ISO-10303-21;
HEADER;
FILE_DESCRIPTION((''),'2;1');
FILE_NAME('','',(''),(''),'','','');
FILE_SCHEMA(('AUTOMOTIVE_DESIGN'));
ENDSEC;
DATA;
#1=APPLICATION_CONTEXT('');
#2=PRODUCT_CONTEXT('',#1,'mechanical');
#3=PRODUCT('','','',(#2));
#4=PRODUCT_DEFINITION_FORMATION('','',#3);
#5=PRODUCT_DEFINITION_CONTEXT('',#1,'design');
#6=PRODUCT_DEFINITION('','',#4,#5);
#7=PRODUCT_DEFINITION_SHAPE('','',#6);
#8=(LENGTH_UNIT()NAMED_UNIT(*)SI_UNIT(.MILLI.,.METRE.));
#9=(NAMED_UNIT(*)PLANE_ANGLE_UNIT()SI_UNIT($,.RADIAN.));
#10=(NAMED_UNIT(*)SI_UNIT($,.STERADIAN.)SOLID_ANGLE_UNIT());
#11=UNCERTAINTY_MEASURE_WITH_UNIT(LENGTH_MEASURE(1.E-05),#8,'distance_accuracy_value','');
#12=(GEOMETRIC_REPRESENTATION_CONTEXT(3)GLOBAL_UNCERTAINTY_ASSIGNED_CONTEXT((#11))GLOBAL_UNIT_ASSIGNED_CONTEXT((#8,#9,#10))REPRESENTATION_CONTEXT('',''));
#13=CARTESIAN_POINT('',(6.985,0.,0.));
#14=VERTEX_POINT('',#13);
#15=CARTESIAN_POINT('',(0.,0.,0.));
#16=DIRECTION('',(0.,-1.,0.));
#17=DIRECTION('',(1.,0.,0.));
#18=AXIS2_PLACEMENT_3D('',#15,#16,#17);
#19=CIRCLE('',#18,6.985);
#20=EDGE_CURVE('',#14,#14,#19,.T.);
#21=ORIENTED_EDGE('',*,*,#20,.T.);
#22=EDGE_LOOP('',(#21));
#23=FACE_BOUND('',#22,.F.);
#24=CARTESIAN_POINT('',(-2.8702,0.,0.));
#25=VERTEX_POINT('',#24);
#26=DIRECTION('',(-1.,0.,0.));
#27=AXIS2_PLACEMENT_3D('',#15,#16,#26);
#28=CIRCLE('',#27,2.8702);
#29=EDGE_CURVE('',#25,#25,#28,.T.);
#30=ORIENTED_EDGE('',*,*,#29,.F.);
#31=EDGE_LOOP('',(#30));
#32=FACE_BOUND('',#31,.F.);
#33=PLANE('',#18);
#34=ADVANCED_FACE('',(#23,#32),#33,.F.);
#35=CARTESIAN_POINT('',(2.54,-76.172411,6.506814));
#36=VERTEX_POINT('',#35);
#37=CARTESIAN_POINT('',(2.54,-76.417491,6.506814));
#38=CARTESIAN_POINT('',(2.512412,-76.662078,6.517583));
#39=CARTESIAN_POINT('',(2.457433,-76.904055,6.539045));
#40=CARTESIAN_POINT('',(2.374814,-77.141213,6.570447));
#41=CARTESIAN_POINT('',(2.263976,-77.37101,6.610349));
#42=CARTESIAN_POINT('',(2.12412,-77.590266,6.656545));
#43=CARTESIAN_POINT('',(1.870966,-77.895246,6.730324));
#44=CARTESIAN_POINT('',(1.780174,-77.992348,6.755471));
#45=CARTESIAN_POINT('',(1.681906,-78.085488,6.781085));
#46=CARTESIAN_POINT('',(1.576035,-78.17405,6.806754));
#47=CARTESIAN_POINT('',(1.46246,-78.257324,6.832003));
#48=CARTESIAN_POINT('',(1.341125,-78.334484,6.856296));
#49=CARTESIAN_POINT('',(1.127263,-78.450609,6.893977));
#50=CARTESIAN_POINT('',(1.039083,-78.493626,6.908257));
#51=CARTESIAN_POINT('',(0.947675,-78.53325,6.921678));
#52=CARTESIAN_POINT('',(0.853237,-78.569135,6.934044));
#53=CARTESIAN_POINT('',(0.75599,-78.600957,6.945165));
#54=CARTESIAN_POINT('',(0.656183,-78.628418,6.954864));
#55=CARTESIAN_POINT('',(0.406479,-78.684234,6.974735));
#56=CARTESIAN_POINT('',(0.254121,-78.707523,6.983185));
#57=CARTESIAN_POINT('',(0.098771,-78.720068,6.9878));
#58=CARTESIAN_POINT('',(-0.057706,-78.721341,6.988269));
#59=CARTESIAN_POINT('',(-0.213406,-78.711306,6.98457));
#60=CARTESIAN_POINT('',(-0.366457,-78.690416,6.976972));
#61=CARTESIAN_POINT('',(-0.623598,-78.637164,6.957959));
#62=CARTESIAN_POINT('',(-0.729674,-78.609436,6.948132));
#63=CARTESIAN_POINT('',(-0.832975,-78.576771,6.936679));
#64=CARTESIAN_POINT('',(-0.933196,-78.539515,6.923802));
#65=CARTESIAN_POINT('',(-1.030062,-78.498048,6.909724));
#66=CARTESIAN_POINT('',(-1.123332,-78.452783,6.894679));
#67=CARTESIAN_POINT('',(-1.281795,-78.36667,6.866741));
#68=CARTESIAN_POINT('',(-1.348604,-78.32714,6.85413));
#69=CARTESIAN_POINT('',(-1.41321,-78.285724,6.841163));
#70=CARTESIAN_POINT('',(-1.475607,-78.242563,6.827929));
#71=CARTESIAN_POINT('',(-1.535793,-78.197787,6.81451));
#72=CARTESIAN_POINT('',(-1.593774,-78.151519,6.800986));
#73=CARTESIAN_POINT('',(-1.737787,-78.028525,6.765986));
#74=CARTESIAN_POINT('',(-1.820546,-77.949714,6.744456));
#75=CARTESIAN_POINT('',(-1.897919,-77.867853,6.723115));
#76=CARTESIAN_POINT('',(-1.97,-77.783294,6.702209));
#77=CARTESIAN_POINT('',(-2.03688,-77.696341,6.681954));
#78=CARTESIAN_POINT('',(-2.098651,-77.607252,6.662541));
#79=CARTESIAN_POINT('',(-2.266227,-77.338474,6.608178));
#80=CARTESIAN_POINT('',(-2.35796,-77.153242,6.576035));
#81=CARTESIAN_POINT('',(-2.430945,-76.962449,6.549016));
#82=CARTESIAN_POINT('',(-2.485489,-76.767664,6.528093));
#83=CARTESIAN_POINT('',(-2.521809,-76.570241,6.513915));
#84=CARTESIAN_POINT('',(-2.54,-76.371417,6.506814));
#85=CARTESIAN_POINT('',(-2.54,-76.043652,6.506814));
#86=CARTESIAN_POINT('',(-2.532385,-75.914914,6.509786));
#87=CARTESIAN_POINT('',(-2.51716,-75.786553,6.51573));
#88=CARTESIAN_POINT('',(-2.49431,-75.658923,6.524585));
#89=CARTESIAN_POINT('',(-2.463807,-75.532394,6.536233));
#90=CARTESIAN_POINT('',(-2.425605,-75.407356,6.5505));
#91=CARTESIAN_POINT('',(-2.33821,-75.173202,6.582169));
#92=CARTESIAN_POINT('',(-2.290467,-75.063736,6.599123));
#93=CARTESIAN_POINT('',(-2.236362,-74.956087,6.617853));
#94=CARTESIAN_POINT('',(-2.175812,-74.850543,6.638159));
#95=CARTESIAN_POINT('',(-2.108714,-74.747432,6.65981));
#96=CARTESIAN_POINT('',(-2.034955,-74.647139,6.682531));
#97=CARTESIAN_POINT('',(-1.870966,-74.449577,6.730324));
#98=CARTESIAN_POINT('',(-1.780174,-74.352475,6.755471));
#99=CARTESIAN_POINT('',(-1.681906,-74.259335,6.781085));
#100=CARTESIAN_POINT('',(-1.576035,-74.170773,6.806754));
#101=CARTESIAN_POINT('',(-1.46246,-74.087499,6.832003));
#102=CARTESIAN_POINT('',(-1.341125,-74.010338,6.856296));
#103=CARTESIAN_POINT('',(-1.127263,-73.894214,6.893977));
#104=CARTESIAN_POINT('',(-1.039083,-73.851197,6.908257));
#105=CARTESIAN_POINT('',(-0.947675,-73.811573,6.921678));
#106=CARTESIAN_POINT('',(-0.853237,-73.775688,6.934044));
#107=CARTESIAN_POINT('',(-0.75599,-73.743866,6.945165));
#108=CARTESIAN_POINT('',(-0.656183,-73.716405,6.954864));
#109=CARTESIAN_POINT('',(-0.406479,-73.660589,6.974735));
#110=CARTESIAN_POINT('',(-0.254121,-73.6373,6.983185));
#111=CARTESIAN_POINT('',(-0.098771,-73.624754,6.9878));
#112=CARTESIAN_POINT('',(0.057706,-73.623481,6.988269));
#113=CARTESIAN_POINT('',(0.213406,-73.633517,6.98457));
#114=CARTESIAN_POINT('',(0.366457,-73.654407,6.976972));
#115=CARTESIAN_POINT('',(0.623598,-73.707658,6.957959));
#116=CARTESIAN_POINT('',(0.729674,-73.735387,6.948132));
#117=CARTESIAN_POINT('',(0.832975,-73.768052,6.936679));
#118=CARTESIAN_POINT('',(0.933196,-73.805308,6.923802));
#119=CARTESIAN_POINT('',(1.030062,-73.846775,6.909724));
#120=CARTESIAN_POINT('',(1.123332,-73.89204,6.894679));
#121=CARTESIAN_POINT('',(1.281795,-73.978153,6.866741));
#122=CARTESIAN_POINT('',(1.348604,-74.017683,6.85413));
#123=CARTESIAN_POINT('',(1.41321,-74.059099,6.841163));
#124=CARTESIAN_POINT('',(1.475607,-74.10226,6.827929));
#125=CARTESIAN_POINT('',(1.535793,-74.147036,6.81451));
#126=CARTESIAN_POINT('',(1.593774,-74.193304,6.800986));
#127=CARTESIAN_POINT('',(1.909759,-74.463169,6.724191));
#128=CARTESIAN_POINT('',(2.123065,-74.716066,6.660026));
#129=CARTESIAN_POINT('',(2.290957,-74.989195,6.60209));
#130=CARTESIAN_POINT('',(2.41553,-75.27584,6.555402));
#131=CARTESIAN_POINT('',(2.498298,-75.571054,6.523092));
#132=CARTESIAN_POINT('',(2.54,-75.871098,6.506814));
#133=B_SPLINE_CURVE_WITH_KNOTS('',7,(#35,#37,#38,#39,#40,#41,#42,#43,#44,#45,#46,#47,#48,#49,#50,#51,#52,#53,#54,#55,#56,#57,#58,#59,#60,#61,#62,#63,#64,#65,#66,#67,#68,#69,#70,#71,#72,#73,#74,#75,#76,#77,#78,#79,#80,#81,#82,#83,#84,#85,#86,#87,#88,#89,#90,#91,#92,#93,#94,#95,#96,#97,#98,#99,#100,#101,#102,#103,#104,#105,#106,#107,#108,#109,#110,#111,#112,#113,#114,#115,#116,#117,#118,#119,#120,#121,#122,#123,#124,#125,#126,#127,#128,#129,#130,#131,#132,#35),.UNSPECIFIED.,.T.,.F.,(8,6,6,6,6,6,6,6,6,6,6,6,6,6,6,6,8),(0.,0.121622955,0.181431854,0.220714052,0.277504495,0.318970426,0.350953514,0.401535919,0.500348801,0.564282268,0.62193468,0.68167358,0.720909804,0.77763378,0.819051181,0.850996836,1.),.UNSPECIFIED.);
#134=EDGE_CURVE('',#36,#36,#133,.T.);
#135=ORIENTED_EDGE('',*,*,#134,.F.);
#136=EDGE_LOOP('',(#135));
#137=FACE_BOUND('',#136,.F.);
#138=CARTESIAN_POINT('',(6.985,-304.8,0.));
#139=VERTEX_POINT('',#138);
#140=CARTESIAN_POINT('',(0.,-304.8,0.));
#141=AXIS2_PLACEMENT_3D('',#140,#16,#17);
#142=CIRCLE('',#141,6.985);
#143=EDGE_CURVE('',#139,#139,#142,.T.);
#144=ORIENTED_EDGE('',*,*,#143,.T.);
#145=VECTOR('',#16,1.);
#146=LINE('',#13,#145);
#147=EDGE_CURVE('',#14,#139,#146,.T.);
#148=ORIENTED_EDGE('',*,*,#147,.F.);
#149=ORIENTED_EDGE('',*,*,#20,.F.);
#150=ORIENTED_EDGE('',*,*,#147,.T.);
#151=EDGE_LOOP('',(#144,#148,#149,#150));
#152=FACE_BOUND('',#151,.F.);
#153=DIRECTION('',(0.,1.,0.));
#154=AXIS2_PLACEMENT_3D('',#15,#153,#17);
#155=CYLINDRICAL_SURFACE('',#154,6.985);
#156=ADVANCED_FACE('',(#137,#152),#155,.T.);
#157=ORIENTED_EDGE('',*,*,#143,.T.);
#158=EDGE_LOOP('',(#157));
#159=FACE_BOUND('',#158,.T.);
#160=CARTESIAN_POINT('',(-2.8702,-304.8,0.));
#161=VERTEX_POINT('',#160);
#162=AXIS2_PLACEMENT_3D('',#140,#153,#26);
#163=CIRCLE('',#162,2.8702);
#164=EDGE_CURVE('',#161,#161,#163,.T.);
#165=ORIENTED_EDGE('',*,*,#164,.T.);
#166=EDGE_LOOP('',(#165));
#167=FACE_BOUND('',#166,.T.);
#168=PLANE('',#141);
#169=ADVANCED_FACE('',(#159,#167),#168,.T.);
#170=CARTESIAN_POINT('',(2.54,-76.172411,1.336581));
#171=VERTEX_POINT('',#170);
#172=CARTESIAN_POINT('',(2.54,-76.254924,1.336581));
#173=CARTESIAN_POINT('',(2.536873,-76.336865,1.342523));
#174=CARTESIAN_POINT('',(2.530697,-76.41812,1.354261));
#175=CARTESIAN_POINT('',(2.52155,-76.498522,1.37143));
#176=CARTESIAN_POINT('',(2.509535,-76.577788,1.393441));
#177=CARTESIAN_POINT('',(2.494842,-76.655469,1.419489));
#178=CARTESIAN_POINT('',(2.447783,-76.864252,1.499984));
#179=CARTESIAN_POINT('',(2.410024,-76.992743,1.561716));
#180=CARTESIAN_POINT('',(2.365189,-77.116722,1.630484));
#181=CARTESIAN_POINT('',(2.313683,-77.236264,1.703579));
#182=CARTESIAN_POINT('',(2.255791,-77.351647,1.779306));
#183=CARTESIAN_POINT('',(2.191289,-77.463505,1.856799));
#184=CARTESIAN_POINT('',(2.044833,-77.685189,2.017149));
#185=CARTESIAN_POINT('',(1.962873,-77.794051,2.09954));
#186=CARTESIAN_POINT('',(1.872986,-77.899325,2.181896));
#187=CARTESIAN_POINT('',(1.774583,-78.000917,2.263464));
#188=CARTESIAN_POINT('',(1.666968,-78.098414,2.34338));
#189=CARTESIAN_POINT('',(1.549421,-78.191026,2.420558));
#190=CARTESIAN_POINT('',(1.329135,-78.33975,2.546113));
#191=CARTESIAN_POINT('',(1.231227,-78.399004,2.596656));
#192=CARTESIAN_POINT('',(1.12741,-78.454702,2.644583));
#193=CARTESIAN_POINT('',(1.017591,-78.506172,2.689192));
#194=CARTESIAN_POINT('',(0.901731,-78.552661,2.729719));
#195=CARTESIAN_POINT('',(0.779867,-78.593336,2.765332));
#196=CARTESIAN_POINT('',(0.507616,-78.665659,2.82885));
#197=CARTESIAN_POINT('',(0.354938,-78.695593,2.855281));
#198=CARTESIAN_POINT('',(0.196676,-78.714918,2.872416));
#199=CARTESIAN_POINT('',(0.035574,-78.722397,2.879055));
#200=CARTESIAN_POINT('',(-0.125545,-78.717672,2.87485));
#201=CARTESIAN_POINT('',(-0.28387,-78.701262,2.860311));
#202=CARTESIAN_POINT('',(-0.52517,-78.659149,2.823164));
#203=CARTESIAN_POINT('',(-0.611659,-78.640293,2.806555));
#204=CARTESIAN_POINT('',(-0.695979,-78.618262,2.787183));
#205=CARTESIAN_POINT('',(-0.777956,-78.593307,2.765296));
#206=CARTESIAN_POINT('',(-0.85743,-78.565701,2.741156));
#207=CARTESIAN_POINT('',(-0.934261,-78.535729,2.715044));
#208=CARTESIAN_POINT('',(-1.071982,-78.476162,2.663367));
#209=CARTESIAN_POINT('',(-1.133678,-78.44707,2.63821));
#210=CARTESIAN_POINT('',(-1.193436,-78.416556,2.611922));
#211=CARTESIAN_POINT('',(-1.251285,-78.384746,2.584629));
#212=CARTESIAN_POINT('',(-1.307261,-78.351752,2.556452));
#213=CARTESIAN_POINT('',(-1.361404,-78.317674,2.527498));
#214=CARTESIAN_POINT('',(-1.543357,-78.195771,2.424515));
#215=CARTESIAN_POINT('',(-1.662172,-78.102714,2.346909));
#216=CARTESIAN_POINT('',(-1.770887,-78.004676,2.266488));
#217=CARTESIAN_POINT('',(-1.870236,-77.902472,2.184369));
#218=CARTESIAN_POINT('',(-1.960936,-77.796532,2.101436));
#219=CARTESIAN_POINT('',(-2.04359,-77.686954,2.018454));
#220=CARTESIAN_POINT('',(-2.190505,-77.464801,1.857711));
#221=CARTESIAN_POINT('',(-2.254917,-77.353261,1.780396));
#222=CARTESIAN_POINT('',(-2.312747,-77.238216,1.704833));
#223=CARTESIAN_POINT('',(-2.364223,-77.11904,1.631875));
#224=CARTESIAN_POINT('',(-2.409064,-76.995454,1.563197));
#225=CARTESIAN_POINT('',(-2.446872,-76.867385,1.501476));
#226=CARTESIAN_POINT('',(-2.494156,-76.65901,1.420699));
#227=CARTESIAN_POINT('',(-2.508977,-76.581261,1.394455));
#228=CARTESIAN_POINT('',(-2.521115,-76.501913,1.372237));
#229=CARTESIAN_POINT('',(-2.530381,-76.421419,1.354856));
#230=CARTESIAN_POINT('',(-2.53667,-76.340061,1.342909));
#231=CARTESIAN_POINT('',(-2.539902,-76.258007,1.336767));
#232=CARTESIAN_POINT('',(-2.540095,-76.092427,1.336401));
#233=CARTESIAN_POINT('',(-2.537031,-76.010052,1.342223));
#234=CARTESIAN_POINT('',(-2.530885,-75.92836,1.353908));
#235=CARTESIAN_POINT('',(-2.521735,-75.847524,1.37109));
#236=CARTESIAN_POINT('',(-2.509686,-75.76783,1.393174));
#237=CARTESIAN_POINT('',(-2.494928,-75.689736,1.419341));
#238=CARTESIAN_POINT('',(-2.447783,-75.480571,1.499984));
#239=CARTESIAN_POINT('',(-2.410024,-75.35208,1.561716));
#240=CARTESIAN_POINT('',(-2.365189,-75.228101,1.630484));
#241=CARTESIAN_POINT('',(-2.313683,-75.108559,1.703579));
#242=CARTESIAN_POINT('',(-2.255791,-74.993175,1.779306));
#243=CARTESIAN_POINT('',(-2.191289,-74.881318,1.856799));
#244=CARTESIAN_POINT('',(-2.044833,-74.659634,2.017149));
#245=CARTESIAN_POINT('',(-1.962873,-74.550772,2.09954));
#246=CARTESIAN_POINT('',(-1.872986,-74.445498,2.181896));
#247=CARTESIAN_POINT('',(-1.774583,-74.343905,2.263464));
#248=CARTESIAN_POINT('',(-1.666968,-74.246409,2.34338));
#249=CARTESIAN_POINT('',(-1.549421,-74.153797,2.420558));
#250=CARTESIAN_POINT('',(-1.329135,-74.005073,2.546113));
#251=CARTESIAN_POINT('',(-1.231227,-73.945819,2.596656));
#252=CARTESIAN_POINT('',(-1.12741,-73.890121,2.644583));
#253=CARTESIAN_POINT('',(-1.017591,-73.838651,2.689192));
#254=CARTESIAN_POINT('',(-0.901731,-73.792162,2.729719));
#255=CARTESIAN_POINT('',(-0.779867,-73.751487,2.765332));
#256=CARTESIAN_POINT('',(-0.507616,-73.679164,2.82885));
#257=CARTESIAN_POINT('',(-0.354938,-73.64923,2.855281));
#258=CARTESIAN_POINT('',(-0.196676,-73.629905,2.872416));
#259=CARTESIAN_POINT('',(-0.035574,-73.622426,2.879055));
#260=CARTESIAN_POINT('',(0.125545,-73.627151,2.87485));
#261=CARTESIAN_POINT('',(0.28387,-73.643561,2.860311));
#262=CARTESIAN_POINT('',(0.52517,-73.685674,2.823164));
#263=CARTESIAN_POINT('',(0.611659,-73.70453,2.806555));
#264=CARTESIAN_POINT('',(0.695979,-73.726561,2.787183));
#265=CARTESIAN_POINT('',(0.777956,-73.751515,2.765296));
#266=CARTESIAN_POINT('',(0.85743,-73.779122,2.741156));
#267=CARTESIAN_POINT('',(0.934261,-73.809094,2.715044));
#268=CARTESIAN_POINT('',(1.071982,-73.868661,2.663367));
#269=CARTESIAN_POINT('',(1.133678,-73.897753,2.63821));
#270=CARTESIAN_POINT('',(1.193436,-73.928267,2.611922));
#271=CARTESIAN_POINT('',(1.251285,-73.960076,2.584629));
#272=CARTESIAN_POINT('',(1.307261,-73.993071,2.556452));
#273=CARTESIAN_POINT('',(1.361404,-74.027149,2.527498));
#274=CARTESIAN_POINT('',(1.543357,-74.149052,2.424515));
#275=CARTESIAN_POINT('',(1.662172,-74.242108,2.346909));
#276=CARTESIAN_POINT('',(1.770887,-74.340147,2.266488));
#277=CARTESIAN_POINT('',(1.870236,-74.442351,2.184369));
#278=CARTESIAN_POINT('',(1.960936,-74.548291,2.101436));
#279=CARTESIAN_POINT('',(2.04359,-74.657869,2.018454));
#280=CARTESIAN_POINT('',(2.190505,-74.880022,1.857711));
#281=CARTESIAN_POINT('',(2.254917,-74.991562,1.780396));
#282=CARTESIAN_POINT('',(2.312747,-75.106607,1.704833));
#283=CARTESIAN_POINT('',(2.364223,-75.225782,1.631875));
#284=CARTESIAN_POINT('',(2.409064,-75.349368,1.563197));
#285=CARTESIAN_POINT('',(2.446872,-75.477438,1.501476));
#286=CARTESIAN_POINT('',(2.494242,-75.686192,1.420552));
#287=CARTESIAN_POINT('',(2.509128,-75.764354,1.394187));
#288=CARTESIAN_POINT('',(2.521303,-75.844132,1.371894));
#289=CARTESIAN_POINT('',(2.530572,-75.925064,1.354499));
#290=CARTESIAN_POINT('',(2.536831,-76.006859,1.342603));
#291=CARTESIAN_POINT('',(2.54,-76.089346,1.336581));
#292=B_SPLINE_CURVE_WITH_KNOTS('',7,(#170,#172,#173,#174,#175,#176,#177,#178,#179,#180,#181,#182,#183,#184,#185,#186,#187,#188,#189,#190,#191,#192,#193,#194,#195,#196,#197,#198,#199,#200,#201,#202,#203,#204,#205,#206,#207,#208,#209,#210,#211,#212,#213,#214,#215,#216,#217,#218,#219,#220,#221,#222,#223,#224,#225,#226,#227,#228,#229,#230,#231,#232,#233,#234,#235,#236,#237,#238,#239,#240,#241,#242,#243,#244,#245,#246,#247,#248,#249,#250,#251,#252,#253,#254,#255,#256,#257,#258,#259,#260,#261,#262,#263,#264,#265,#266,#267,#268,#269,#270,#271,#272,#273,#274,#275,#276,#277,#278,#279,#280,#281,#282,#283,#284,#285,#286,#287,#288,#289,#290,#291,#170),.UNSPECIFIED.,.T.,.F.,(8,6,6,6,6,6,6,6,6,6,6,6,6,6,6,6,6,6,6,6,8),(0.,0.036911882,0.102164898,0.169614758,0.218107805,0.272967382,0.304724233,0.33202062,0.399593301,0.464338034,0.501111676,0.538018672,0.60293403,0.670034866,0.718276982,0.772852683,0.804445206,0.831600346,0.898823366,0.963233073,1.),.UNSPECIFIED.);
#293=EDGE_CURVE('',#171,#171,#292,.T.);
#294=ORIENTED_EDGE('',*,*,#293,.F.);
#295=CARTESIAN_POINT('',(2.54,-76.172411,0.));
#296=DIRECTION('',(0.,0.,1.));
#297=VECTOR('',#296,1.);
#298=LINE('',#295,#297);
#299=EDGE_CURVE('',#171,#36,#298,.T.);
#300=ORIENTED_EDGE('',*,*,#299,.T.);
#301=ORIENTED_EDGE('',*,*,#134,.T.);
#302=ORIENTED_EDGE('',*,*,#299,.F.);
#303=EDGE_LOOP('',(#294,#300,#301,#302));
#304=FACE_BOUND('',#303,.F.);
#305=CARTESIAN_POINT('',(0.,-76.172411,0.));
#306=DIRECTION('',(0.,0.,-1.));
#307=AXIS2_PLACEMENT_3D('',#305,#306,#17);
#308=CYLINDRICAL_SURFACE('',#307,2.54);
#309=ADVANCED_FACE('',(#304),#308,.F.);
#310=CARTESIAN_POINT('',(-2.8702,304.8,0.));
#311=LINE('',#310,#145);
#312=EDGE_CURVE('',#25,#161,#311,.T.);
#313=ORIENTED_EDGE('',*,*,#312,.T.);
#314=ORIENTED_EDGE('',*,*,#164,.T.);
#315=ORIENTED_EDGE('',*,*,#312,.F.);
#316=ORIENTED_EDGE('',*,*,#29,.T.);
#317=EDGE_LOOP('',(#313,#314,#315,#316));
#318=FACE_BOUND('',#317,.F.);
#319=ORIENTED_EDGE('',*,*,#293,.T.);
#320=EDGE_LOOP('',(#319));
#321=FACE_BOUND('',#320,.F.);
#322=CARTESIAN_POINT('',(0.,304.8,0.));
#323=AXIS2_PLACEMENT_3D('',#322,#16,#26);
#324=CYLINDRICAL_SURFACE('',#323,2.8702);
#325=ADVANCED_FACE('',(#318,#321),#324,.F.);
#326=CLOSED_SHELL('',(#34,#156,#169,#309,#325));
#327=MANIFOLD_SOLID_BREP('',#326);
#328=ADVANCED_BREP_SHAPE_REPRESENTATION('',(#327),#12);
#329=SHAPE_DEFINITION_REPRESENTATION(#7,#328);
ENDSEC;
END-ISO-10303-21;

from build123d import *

# Parameters (mm, degrees)
F0_R     = 6.985
F1_DEPTH = 304.8
F3_D     = 5.7404
F3_DEPTH = 304.8
F3_TIP   = 1.7245901487
F5_D     = 5.08
F5_DEPTH = 25.4
F5_TIP   = 1.5261859723


with BuildPart() as f1:
    # F0 (on Front) → F1 (new body)
    with BuildSketch(Plane.XZ):
        Circle(F0_R)
    extrude(amount=F1_DEPTH)

    # F3
    with Locations(Plane(origin=(0, 0, 0), x_dir=(1, 0, 0), z_dir=(0, 1, 0))):
        with Locations((0, 0)):
            Hole(F3_D / 2, depth=F3_DEPTH)
            with Locations((0, 0, -(F3_DEPTH + F3_TIP / 2))):  # 118° drill point
                Cone(0, F3_D / 2, F3_TIP, mode=Mode.SUBTRACT)

    # F5 (one way)
    with BuildSketch(Plane(origin=(0, 0, 0), x_dir=(1, 0, 0), z_dir=(0, 0, -1))):
        with Locations((0, 76.1724114418)):
            Circle(F5_D / 2)
    extrude(amount=-F5_DEPTH, mode=Mode.SUBTRACT)
    with Locations(Plane(origin=(0, 0, 0), x_dir=(1, 0, 0), z_dir=(0, 0, -1))):
        with Locations((0, 76.1724114418)):
            with Locations((0, 0, -(F5_DEPTH + F5_TIP / 2))):  # 118° drill point
                Cone(0, F5_D / 2, F5_TIP, mode=Mode.SUBTRACT)


solid = f1.part
